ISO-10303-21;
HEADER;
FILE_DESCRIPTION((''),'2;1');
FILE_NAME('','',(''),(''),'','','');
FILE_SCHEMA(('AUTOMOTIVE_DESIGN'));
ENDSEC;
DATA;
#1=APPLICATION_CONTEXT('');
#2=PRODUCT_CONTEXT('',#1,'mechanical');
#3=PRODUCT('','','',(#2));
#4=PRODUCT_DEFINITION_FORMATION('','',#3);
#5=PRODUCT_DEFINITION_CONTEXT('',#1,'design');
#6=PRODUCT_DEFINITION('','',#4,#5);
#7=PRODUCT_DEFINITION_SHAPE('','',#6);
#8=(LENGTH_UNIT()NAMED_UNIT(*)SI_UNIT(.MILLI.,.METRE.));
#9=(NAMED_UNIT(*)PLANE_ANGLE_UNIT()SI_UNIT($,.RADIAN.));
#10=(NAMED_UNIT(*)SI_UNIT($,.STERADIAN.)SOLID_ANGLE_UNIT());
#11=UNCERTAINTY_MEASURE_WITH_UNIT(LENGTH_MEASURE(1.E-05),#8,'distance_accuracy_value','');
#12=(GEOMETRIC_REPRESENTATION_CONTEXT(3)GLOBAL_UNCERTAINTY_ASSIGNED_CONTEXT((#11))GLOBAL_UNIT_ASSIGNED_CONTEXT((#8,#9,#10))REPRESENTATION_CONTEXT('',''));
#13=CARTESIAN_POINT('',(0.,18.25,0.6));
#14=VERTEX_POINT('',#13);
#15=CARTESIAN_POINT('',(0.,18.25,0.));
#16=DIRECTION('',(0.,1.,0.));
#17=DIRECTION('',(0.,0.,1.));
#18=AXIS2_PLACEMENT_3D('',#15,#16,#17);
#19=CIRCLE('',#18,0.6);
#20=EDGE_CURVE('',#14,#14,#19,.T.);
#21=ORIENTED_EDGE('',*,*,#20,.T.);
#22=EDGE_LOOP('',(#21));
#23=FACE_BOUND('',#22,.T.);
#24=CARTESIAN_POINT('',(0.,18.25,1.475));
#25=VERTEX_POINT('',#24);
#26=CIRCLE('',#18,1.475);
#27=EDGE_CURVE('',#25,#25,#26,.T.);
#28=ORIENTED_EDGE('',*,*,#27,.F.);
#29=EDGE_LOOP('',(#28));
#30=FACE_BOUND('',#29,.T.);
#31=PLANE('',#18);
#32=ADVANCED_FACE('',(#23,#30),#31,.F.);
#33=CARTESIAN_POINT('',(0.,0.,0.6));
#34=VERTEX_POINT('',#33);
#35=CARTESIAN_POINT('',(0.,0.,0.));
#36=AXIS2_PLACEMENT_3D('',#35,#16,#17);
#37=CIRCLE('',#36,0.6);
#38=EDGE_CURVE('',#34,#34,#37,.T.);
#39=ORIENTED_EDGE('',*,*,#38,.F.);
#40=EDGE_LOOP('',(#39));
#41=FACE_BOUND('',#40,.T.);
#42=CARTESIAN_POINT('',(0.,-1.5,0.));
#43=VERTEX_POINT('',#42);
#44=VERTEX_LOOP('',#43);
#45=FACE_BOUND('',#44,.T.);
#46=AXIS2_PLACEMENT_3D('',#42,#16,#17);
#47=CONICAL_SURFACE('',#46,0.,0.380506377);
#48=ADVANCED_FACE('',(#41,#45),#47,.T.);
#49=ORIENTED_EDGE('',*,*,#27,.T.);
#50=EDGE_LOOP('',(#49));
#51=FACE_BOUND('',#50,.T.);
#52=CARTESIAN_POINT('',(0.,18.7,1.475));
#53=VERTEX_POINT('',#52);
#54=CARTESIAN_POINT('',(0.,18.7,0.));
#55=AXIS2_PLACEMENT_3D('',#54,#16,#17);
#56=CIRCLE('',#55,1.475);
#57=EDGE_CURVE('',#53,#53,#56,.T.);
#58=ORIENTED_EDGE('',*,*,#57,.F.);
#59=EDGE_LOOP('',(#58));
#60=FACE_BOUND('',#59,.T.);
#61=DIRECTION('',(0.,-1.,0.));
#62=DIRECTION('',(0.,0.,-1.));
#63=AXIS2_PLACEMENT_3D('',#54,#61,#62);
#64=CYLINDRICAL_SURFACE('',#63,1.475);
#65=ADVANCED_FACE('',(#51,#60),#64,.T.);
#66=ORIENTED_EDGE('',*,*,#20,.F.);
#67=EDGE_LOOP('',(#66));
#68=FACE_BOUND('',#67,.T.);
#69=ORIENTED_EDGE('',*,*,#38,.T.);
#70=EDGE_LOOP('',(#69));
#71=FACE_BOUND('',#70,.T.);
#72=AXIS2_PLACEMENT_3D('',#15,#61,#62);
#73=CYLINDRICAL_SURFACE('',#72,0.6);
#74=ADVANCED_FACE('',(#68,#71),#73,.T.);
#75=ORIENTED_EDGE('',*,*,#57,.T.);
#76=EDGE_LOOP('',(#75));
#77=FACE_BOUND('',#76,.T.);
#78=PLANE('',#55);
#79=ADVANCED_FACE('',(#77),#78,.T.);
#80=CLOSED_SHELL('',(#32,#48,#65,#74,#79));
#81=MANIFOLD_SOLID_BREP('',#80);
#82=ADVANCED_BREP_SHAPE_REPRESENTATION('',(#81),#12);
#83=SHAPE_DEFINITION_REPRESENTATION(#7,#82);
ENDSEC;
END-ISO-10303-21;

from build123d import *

# Parameters (mm, degrees)
SKETCH1_R           = 0.6
BOSS_EXTRUDE1_DEPTH = 18.25
SKETCH2_R           = 1.475
BOSS_EXTRUDE2_DEPTH = 0.45


with BuildPart() as part:
    # Sketch1 → Boss-Extrude1 (new body)
    with BuildSketch(Plane(origin=(0, 0, 0), x_dir=(1, 0, 0), z_dir=(0, 1, 0))):
        with Locations(Location((0, 0, 0), (0, 0, 270))):
            Circle(SKETCH1_R)
    extrude(amount=BOSS_EXTRUDE1_DEPTH)

    # Sketch2 → Boss-Extrude2 (add)
    with BuildSketch(Plane(origin=(0, 18.25, 0), x_dir=(1, 0, 0), z_dir=(0, 1, 0))):
        with Locations(Location((0, 0, 0), (0, 0, 270))):
            Circle(SKETCH2_R)
    extrude(amount=BOSS_EXTRUDE2_DEPTH)

    # Sketch4 → Revolve1 (revolve)
    with BuildSketch(Plane(origin=(0, 0, 0), x_dir=(0, 0, -1), z_dir=(1, 0, 0)), mode=Mode.PRIVATE) as revolve1_sk:
        Polygon((0, 0), (0, -1.5), (0.6, 0), align=None)
    revolve(revolve1_sk.sketch.rotate(Axis((0, 0, 0), (0, -1, 0)), 180), axis=Axis((0, 0, 0), (0, -1, 0)))


solid = part.part
